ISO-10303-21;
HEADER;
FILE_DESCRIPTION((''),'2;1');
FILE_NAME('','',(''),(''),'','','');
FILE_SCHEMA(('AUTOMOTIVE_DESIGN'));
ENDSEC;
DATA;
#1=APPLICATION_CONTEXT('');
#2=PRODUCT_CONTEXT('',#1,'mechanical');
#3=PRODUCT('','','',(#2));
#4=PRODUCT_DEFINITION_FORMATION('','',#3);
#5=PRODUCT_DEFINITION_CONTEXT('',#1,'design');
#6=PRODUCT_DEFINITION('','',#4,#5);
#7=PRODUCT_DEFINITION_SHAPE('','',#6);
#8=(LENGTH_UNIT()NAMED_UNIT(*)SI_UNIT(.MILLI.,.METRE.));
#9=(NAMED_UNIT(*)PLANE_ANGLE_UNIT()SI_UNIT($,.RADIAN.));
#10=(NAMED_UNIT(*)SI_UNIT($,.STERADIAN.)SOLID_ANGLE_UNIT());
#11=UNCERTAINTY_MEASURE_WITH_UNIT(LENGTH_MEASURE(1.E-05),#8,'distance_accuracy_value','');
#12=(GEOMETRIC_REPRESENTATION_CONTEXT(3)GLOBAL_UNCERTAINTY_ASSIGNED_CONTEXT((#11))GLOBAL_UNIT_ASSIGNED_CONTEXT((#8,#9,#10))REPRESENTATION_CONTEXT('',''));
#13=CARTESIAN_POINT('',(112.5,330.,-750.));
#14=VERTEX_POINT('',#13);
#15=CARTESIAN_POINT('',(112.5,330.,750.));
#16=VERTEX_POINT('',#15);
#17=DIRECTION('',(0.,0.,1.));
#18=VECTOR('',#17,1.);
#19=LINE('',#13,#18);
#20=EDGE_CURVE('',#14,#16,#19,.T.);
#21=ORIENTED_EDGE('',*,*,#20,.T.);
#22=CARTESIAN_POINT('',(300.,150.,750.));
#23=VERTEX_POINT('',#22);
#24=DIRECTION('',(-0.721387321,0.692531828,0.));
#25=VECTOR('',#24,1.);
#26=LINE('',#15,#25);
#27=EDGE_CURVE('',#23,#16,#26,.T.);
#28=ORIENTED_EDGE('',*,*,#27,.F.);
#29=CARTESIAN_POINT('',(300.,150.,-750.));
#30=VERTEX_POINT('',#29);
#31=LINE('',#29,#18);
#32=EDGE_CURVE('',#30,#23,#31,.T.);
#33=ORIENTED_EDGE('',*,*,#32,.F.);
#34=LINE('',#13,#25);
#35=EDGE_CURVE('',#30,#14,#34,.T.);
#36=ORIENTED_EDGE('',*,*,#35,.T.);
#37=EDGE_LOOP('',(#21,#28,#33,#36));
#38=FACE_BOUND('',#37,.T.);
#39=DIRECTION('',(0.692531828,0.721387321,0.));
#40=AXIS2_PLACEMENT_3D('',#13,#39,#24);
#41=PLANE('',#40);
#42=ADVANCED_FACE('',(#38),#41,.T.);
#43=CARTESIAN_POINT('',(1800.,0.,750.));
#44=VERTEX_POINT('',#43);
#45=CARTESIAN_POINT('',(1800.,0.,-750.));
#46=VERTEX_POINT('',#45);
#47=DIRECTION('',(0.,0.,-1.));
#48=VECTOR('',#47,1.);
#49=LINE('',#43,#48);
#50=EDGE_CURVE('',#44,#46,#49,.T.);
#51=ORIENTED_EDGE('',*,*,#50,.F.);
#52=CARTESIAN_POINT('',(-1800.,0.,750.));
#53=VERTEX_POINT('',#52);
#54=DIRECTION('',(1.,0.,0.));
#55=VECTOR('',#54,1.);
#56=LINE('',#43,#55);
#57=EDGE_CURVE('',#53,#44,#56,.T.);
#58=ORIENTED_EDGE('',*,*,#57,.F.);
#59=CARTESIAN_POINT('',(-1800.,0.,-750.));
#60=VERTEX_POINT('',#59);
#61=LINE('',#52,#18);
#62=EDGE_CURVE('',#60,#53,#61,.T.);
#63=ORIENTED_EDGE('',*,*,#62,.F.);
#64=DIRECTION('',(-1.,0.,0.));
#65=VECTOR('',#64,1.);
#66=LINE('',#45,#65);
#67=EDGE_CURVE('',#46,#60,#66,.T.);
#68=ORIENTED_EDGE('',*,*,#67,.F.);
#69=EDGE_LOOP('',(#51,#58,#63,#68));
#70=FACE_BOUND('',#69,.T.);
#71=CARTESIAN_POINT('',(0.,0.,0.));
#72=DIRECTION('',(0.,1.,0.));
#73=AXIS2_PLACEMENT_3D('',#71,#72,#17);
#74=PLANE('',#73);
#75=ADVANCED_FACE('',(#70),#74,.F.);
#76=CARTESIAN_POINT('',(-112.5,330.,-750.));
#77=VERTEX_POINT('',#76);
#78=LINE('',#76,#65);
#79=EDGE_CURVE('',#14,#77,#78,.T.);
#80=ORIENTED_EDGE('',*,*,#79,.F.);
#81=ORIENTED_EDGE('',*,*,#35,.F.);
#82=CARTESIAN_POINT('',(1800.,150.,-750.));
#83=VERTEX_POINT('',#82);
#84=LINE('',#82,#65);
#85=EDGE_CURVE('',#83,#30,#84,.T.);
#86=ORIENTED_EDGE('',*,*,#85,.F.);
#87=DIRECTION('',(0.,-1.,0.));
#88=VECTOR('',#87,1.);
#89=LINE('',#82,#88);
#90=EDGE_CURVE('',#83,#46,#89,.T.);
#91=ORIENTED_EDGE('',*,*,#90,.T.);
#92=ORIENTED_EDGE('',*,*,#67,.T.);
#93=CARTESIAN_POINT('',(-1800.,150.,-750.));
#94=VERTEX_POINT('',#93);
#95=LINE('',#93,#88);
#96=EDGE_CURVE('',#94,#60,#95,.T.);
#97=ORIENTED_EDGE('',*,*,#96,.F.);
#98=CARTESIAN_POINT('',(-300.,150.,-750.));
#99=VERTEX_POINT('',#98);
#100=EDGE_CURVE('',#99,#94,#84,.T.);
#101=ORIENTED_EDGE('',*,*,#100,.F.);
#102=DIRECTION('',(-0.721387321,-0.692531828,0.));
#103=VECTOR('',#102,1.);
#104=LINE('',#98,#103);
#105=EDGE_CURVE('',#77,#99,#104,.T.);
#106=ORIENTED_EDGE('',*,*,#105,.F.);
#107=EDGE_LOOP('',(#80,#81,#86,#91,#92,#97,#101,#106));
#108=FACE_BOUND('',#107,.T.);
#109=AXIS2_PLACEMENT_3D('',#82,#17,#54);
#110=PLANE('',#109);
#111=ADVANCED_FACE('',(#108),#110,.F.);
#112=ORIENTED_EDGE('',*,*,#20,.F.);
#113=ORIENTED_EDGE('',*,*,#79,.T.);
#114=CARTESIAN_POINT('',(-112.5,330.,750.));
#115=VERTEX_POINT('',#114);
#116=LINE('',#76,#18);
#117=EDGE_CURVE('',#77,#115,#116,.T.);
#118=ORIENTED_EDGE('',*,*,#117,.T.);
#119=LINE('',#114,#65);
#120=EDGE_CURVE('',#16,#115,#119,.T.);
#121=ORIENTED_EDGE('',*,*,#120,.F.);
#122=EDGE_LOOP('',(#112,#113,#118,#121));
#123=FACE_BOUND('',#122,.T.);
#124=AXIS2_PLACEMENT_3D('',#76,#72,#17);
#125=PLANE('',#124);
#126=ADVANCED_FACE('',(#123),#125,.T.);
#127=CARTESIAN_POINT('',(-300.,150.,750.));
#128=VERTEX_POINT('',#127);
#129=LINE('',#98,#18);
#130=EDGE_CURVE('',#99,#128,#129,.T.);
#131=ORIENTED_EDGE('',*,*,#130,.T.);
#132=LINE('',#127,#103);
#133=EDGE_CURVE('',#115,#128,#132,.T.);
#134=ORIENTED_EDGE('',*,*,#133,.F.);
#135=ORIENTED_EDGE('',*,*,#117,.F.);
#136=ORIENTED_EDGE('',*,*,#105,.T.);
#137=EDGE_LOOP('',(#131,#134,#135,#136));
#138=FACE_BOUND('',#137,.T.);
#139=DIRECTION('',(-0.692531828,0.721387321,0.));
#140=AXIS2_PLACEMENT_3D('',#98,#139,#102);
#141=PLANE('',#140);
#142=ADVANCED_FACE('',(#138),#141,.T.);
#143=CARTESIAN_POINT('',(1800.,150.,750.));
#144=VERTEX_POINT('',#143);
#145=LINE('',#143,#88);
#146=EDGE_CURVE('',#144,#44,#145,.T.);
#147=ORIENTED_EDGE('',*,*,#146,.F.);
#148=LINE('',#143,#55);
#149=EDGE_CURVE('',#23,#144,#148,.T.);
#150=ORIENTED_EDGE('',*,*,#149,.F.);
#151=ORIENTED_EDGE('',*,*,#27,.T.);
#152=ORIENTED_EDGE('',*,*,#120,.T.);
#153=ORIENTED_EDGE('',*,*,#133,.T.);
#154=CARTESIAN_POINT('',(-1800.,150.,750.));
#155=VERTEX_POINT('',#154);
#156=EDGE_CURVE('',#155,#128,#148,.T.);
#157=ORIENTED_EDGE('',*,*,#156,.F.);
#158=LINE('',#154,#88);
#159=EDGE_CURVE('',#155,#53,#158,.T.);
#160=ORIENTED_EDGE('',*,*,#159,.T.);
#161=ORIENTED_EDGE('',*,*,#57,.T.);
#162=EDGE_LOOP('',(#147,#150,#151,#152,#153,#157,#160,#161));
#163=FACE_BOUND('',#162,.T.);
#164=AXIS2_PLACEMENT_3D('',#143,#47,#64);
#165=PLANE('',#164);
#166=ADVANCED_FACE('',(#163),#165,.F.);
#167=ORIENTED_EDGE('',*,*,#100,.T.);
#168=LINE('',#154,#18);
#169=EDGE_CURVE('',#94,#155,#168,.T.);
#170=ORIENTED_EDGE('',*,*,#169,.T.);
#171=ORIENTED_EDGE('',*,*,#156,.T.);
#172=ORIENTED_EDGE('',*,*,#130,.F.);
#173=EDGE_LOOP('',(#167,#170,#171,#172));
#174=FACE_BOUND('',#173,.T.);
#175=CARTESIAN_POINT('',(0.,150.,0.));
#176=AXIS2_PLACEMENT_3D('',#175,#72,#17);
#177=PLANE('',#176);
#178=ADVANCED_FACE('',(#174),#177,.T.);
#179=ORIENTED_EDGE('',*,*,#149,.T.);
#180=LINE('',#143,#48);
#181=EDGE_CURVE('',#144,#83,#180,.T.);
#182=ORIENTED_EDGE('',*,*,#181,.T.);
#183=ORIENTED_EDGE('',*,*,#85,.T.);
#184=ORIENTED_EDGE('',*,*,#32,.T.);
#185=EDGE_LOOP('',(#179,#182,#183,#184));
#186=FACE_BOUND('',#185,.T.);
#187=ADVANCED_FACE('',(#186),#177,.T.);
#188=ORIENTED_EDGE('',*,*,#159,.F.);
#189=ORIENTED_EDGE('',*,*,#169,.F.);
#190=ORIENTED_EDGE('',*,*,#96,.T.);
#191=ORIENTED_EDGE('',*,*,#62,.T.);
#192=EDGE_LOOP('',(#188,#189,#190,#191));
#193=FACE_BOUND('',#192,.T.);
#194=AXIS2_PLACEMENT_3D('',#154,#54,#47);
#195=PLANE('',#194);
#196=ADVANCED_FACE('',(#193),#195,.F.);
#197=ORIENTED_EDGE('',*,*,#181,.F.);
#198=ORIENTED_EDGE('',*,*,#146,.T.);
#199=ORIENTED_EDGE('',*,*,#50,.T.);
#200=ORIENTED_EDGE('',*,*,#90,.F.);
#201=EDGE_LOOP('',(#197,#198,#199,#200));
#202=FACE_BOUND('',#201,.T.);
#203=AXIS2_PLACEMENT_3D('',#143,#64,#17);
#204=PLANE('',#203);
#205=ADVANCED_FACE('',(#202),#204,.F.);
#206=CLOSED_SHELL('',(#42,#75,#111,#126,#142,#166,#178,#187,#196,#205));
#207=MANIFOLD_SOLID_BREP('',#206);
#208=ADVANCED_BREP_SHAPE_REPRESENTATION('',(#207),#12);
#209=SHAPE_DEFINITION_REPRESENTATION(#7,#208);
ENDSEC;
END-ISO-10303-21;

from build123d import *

# Parameters (mm, degrees)
SKETCH1_W           = 3600
SKETCH1_H           = 1500
BOSS_EXTRUDE1_DEPTH = 150
BOSS_EXTRUDE2_DEPTH = 1500


with BuildPart() as part:
    # Sketch1 → Boss-Extrude1 (new body)
    with BuildSketch(Plane(origin=(0, 0, 0), x_dir=(1, 0, 0), z_dir=(0, 1, 0))):
        Rectangle(SKETCH1_W, SKETCH1_H)
    extrude(amount=BOSS_EXTRUDE1_DEPTH)

    # Sketch3 → Boss-Extrude2 (add)
    with BuildSketch(Plane.XY.offset(750)):
        Polygon((300, 150), (-300, 150), (-112.5, 330), (112.5, 330), align=None)
    extrude(amount=-BOSS_EXTRUDE2_DEPTH)


solid = part.part
